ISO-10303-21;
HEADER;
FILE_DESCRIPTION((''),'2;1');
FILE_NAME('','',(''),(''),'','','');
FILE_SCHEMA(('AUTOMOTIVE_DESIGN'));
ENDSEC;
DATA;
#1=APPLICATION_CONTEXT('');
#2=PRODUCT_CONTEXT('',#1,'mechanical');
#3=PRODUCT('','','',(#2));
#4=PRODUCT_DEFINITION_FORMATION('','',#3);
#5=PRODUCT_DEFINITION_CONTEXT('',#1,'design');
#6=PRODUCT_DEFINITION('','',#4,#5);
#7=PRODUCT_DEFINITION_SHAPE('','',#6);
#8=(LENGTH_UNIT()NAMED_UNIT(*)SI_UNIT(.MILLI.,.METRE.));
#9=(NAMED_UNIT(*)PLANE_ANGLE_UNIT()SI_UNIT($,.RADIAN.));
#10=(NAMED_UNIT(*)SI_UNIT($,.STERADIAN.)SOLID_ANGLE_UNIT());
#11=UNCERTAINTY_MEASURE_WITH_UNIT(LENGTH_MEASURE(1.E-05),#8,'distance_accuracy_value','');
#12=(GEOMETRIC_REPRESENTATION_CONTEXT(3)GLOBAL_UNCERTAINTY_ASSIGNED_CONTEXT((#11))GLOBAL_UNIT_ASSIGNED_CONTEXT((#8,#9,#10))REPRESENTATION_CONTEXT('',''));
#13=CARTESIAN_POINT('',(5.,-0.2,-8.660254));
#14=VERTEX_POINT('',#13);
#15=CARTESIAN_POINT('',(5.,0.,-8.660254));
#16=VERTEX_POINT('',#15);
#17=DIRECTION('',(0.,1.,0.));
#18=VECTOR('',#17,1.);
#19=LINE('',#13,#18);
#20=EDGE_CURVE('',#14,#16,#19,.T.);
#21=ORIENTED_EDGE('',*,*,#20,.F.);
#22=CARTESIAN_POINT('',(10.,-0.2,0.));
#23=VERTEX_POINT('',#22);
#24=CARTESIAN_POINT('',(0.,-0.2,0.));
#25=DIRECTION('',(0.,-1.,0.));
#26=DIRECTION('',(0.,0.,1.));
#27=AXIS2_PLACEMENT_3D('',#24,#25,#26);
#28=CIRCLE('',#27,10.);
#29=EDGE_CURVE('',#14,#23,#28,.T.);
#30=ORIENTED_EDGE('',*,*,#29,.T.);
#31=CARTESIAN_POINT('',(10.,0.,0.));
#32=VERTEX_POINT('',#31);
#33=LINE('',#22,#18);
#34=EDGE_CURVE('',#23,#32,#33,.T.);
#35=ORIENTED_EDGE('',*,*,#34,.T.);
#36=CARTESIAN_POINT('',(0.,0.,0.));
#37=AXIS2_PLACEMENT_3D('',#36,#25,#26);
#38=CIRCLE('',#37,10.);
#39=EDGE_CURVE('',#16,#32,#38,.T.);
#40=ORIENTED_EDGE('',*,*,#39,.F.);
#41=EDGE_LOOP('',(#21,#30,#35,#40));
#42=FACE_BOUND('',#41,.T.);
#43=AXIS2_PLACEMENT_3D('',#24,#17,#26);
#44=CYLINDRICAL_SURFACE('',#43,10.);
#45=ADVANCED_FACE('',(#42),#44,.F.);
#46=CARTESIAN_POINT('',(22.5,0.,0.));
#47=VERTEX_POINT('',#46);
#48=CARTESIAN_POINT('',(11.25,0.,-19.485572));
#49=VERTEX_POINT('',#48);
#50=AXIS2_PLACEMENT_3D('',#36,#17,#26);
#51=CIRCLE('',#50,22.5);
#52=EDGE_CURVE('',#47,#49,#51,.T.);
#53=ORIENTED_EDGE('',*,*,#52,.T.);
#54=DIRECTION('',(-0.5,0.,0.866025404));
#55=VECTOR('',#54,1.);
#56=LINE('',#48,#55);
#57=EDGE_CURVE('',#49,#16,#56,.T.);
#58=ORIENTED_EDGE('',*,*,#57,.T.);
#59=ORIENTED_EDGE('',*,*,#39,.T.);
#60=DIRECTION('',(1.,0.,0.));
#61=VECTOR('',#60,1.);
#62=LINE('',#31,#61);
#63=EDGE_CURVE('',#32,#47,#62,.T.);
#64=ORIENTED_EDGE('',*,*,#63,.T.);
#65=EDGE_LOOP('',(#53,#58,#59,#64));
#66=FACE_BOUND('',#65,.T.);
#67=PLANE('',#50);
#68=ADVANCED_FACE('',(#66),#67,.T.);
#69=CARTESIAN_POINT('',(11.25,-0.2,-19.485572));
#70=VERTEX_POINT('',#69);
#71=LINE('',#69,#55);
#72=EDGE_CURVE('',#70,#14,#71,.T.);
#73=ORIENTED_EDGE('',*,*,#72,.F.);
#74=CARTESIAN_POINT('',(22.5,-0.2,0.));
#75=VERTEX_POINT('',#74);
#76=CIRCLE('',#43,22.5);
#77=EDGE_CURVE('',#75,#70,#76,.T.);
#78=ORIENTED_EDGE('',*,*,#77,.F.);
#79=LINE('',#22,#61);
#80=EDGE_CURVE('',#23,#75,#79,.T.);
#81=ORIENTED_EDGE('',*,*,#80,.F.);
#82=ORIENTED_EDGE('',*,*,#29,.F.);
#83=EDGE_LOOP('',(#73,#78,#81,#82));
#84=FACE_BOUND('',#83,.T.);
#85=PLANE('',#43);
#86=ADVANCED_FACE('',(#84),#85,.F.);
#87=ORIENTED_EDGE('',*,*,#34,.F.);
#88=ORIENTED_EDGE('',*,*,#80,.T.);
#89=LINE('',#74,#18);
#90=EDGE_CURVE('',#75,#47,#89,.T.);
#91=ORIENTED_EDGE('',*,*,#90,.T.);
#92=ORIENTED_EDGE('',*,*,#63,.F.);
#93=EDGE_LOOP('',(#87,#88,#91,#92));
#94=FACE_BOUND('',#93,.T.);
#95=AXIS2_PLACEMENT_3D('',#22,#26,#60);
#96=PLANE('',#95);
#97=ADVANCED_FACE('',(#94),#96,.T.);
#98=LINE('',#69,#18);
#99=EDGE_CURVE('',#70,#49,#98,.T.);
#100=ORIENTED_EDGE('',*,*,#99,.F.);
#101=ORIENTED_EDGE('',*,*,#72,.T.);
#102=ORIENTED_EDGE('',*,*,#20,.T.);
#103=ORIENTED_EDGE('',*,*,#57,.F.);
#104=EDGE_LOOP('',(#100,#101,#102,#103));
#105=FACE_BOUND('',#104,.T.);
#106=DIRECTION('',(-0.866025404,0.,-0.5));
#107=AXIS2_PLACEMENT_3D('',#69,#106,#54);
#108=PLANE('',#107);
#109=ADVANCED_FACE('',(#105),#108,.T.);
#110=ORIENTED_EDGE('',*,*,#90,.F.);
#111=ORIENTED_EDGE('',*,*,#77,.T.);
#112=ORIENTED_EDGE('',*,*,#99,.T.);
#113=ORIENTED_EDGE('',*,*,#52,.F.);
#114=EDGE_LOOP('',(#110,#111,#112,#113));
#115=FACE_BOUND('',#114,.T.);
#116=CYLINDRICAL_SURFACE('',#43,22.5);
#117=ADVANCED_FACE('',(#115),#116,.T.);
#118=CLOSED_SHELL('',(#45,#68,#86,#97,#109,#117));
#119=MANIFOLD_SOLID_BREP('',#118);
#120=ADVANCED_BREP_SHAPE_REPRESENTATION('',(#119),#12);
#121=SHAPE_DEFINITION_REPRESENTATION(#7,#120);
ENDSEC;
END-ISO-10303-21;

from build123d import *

# Parameters (mm, degrees)
BOSS_EXTRU_2_DEPTH = 0.2


with BuildPart() as part:
    # Esquisse1 → Boss.-Extru.2 (new body)
    with BuildSketch(Plane(origin=(0, 0, 0), x_dir=(1, 0, 0), z_dir=(0, 1, 0))):
        with BuildLine():
            Line((10, 0), (22.5, 0))
            ThreePointArc((22.5, 0), (19.485571585, 11.25), (11.25, 19.485571585))
            Line((11.25, 19.485571585), (5, 8.660254038))
            ThreePointArc((5, 8.660254038), (8.660254038, 5), (10, 0))
        make_face()
    extrude(amount=-BOSS_EXTRU_2_DEPTH)


solid = part.part
